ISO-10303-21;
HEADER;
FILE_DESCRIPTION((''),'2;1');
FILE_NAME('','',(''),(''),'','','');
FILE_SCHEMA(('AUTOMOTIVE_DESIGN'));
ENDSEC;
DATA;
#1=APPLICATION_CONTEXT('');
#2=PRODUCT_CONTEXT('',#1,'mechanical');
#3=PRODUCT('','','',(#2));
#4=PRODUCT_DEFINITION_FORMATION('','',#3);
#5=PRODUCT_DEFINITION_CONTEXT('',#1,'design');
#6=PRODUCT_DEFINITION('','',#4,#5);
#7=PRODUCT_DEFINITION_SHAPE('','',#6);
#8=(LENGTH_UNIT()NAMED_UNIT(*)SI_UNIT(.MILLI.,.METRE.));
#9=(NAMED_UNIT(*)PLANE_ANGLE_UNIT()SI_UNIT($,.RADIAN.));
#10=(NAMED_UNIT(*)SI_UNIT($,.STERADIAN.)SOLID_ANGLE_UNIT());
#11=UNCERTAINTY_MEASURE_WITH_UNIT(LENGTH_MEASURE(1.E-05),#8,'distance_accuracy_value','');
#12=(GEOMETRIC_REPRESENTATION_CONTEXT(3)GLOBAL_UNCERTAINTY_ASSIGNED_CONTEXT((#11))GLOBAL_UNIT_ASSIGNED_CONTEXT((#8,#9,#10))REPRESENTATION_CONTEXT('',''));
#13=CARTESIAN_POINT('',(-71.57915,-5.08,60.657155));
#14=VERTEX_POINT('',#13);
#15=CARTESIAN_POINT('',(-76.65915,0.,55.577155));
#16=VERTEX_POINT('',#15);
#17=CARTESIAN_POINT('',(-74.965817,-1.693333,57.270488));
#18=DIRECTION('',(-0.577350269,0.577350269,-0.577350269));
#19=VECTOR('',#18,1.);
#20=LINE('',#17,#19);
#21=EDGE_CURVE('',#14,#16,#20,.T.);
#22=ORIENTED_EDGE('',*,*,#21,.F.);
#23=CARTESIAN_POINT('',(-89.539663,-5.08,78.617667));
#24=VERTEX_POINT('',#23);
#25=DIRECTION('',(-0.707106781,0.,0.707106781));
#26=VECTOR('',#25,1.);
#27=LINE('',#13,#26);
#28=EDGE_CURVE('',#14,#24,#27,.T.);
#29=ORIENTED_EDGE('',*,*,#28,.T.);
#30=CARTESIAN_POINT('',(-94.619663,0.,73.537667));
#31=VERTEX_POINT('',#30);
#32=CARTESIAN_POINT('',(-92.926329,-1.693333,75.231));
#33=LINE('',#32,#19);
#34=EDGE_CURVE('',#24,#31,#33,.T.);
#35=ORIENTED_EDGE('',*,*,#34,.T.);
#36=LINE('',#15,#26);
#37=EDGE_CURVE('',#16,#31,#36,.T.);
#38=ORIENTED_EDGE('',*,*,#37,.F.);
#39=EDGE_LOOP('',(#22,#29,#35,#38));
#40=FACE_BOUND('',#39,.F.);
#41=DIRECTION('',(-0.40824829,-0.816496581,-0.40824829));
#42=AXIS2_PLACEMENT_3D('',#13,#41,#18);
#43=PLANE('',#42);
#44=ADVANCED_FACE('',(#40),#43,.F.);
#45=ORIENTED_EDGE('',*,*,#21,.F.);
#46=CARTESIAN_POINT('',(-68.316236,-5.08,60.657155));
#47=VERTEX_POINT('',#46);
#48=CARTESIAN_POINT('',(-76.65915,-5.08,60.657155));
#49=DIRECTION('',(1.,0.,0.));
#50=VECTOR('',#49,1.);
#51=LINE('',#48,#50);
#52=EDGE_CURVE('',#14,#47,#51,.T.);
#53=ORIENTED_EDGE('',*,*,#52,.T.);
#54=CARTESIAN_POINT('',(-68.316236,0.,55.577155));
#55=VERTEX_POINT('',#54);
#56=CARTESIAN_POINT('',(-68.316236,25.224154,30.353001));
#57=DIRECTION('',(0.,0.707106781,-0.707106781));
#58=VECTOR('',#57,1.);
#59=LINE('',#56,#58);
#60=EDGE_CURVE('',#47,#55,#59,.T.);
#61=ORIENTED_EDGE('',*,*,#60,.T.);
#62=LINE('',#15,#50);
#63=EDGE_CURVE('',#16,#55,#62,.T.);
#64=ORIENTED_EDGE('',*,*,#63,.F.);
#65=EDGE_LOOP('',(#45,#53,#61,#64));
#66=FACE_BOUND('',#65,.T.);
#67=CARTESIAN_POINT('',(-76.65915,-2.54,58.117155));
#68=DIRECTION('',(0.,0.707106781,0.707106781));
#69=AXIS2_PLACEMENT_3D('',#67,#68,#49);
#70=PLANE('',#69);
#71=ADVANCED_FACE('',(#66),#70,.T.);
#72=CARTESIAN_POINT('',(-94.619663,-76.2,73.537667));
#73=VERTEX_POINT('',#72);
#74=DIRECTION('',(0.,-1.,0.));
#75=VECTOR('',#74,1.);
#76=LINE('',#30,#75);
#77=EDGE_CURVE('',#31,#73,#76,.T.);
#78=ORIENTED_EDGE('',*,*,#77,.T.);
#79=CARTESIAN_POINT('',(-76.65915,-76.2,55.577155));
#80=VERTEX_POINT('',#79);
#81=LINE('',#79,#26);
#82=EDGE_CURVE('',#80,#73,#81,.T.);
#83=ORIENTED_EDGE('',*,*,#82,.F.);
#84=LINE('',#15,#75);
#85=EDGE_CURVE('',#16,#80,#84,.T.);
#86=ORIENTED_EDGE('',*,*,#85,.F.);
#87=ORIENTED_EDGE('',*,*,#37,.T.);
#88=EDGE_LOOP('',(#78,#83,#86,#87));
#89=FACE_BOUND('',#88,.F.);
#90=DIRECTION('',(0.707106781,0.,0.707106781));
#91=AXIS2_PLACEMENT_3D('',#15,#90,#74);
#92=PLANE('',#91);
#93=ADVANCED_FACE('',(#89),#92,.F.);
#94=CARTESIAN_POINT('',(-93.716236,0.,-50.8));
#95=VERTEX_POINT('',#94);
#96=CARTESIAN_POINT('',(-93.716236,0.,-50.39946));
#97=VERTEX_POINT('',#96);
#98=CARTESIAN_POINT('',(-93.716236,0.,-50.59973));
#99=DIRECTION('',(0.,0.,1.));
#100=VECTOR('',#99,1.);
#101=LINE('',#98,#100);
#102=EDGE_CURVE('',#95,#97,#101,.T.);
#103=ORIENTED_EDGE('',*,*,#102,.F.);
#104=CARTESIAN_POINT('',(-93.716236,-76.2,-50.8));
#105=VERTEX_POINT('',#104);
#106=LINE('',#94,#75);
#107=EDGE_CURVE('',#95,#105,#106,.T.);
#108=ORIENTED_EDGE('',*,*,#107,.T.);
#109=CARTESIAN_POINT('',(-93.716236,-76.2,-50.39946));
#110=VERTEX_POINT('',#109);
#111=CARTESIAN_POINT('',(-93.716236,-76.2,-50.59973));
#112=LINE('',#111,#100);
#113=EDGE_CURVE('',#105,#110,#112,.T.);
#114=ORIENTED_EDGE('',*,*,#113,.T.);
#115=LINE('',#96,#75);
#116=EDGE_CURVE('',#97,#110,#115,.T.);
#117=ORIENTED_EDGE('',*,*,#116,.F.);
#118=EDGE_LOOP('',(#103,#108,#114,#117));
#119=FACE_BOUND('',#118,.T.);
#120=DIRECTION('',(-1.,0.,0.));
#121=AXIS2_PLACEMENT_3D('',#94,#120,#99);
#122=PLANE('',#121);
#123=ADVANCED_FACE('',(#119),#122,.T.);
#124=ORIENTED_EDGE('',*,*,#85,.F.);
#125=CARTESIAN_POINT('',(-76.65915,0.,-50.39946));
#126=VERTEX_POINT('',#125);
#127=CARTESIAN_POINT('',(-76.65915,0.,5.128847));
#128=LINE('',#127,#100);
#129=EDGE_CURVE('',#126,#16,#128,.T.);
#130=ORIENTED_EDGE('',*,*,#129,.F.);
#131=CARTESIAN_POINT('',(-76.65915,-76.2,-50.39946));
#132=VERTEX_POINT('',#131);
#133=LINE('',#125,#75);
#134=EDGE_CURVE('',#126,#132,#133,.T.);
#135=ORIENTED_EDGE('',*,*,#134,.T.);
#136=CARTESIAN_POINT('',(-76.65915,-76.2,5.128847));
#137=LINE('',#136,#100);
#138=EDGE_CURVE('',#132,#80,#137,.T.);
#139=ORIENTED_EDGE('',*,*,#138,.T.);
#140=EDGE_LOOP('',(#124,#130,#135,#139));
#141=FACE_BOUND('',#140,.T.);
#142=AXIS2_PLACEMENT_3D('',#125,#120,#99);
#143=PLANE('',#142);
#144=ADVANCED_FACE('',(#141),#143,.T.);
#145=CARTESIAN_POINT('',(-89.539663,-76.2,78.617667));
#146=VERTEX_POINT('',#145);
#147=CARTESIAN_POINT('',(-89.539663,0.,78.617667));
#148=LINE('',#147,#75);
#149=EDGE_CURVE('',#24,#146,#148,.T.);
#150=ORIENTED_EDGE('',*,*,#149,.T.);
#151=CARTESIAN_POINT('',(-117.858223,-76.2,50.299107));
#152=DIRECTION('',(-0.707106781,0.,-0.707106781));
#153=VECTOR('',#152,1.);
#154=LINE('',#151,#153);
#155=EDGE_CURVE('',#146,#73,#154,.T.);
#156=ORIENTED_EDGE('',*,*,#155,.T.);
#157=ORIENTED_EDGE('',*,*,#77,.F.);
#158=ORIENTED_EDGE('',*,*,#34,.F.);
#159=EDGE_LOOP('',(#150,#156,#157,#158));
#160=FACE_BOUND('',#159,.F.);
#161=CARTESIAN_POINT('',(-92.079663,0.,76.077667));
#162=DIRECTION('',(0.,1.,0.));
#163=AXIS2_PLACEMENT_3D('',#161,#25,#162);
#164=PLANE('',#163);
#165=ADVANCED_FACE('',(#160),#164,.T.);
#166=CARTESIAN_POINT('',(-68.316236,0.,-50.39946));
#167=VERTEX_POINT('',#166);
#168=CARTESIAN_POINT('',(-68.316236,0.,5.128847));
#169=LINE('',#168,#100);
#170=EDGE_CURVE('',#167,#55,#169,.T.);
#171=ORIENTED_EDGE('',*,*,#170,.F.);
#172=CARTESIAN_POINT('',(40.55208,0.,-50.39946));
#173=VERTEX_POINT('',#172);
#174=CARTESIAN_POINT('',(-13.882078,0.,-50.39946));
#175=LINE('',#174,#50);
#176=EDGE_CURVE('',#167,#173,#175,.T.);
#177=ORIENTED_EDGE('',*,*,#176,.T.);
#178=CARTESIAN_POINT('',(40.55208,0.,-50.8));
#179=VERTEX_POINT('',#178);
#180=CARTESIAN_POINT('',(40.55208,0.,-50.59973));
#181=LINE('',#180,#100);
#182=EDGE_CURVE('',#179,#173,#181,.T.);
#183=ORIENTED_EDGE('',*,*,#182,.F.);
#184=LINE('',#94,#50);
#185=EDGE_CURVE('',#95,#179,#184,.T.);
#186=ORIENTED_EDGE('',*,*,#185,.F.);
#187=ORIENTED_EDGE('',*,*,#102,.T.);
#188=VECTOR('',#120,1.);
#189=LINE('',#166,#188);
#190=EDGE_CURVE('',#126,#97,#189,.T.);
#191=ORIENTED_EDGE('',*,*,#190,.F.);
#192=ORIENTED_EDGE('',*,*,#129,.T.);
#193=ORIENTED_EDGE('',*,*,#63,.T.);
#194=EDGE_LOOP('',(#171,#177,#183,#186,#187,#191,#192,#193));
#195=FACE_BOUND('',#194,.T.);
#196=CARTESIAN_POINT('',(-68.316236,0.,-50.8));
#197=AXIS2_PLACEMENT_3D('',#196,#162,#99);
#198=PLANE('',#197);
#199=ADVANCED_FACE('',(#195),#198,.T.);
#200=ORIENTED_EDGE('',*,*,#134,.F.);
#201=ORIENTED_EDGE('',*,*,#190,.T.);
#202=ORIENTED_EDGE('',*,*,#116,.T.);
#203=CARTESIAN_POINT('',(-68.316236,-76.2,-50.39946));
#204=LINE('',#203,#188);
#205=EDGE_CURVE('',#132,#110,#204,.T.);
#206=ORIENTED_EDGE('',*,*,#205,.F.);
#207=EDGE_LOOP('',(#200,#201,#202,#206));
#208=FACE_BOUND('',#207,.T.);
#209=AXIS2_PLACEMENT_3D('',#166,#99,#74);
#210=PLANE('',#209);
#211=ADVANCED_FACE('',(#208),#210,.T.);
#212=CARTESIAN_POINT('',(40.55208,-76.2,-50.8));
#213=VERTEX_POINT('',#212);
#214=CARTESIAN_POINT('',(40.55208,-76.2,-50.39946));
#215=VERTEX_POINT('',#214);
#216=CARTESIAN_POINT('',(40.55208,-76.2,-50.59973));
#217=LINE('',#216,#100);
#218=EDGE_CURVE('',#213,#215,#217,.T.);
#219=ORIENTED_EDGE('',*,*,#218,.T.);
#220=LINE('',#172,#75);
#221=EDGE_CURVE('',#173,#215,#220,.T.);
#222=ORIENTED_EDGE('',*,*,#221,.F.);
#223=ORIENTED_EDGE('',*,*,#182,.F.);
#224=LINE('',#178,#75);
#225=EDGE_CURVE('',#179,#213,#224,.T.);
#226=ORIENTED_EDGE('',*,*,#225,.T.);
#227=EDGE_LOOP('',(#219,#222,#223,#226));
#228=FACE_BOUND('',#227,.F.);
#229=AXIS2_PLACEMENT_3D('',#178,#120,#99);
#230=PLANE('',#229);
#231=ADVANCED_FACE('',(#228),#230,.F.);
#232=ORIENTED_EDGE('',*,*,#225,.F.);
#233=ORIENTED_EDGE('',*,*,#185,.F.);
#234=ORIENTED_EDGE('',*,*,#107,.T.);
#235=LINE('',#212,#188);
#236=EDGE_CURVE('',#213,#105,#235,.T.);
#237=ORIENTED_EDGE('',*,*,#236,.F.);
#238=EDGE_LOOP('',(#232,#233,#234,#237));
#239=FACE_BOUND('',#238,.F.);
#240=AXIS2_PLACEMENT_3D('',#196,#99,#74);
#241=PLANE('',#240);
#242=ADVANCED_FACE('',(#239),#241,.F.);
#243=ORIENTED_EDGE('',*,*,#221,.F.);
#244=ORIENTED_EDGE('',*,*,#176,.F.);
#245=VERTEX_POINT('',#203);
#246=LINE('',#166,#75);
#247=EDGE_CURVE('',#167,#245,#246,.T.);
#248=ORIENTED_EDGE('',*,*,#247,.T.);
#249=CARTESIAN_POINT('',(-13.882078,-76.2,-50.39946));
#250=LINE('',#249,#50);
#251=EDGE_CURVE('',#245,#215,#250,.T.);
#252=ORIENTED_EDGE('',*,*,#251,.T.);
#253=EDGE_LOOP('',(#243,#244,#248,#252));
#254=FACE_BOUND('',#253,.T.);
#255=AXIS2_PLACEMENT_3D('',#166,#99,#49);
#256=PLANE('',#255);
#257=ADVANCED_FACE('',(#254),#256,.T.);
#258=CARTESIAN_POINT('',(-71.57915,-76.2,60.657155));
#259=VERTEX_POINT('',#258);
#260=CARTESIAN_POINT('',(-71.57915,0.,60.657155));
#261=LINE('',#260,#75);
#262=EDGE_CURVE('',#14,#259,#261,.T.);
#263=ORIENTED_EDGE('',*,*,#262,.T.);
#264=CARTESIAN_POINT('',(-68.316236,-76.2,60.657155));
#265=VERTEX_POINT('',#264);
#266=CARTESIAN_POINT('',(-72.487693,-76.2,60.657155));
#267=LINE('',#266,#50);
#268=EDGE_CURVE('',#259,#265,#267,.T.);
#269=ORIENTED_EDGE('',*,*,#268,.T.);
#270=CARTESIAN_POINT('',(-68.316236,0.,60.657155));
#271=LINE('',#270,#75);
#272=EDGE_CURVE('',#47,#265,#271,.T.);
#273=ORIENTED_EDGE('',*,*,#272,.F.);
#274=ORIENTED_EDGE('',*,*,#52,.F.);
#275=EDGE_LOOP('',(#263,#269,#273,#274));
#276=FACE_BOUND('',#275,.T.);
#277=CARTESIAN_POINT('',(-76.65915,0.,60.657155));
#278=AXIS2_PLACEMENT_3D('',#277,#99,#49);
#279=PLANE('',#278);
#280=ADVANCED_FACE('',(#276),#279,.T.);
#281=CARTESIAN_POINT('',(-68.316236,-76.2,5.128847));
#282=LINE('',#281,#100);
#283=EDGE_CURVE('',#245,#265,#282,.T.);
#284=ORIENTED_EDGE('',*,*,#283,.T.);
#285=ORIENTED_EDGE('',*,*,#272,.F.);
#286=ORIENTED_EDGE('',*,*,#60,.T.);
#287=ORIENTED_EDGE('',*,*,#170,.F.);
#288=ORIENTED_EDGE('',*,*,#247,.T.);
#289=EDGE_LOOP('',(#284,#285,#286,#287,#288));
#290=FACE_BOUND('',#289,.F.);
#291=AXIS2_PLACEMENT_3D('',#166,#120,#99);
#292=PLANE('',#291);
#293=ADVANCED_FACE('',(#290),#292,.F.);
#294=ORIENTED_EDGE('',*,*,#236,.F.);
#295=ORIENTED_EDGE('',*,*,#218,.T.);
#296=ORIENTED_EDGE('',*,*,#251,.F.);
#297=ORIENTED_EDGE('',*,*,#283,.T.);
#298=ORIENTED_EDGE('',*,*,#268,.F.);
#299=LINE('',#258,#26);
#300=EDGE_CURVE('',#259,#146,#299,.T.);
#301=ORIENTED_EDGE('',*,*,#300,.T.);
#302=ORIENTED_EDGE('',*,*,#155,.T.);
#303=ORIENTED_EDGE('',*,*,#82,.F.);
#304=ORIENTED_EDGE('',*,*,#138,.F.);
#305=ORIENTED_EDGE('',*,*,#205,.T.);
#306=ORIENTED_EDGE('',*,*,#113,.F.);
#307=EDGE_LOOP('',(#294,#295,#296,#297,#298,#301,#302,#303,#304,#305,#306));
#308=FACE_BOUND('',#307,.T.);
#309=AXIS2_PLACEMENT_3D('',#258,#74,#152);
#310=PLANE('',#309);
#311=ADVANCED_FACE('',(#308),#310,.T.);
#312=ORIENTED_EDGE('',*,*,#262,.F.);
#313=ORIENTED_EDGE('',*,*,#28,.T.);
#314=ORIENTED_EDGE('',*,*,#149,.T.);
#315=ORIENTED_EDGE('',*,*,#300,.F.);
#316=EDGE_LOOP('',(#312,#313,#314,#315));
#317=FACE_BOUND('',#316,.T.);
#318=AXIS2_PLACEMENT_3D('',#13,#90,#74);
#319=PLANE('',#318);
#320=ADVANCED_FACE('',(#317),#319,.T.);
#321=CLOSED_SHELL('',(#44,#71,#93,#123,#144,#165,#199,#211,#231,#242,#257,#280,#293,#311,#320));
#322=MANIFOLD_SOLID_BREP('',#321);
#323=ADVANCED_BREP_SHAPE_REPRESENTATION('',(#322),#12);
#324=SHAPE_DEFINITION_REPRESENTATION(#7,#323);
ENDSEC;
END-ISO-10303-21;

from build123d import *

# Parameters (mm, degrees)
F0_W     = 8.3429142833
F0_H     = 111.0566146672
F1_DEPTH = 76.2
F0_W_2   = 108.8683158159
F0_H_2   = 0.4005401015
F2_DEPTH = 25.4
F3_SIZE  = 5.08
F4_DEPTH = 25.4


with BuildPart() as f1:
    # F0 (on Front) → F1 (new body)
    with BuildSketch(Plane.XZ):
        with Locations((-72.48769328, 5.1288474351)):
            Rectangle(F0_W, F0_H)
    extrude(amount=F1_DEPTH)



with BuildPart() as f1b:
    # F0 (on Front) → F1, piece 2 (new body)
    with BuildSketch(Plane.XZ):
        with Locations((-13.8820782304, -50.5997299492)):
            Rectangle(F0_W_2, F0_H_2)
    extrude(amount=F1_DEPTH)


with BuildPart() as f1_1:
    add(f1.part)
    # F2 (add): a face of the model
    f2_faces = [f1b.part.faces().sort_by_distance(p)[0] for p in [
        (-68.3162361383, -38.1, -50.5997299492),
    ]]

    add(f1b.part)  # F2 merges F1b
    extrude(f2_faces, amount=F2_DEPTH)

    # F3
    f3_edges = [f1_1.edges().sort_by_distance(p)[0] for p in [
        (-76.65915, -38.1, 60.657155),
        (-72.487693, 0, 60.657155),
    ]]
    chamfer(f3_edges, length=F3_SIZE)

    # F4 (add): a face of the model
    f4_faces = [f1_1.faces().sort_by_distance(p)[0] for p in [
        (-74.1483458239, -39.3554022989, 58.0879593664),
    ]]
    extrude(f4_faces, amount=F4_DEPTH)


solid = f1_1.part
